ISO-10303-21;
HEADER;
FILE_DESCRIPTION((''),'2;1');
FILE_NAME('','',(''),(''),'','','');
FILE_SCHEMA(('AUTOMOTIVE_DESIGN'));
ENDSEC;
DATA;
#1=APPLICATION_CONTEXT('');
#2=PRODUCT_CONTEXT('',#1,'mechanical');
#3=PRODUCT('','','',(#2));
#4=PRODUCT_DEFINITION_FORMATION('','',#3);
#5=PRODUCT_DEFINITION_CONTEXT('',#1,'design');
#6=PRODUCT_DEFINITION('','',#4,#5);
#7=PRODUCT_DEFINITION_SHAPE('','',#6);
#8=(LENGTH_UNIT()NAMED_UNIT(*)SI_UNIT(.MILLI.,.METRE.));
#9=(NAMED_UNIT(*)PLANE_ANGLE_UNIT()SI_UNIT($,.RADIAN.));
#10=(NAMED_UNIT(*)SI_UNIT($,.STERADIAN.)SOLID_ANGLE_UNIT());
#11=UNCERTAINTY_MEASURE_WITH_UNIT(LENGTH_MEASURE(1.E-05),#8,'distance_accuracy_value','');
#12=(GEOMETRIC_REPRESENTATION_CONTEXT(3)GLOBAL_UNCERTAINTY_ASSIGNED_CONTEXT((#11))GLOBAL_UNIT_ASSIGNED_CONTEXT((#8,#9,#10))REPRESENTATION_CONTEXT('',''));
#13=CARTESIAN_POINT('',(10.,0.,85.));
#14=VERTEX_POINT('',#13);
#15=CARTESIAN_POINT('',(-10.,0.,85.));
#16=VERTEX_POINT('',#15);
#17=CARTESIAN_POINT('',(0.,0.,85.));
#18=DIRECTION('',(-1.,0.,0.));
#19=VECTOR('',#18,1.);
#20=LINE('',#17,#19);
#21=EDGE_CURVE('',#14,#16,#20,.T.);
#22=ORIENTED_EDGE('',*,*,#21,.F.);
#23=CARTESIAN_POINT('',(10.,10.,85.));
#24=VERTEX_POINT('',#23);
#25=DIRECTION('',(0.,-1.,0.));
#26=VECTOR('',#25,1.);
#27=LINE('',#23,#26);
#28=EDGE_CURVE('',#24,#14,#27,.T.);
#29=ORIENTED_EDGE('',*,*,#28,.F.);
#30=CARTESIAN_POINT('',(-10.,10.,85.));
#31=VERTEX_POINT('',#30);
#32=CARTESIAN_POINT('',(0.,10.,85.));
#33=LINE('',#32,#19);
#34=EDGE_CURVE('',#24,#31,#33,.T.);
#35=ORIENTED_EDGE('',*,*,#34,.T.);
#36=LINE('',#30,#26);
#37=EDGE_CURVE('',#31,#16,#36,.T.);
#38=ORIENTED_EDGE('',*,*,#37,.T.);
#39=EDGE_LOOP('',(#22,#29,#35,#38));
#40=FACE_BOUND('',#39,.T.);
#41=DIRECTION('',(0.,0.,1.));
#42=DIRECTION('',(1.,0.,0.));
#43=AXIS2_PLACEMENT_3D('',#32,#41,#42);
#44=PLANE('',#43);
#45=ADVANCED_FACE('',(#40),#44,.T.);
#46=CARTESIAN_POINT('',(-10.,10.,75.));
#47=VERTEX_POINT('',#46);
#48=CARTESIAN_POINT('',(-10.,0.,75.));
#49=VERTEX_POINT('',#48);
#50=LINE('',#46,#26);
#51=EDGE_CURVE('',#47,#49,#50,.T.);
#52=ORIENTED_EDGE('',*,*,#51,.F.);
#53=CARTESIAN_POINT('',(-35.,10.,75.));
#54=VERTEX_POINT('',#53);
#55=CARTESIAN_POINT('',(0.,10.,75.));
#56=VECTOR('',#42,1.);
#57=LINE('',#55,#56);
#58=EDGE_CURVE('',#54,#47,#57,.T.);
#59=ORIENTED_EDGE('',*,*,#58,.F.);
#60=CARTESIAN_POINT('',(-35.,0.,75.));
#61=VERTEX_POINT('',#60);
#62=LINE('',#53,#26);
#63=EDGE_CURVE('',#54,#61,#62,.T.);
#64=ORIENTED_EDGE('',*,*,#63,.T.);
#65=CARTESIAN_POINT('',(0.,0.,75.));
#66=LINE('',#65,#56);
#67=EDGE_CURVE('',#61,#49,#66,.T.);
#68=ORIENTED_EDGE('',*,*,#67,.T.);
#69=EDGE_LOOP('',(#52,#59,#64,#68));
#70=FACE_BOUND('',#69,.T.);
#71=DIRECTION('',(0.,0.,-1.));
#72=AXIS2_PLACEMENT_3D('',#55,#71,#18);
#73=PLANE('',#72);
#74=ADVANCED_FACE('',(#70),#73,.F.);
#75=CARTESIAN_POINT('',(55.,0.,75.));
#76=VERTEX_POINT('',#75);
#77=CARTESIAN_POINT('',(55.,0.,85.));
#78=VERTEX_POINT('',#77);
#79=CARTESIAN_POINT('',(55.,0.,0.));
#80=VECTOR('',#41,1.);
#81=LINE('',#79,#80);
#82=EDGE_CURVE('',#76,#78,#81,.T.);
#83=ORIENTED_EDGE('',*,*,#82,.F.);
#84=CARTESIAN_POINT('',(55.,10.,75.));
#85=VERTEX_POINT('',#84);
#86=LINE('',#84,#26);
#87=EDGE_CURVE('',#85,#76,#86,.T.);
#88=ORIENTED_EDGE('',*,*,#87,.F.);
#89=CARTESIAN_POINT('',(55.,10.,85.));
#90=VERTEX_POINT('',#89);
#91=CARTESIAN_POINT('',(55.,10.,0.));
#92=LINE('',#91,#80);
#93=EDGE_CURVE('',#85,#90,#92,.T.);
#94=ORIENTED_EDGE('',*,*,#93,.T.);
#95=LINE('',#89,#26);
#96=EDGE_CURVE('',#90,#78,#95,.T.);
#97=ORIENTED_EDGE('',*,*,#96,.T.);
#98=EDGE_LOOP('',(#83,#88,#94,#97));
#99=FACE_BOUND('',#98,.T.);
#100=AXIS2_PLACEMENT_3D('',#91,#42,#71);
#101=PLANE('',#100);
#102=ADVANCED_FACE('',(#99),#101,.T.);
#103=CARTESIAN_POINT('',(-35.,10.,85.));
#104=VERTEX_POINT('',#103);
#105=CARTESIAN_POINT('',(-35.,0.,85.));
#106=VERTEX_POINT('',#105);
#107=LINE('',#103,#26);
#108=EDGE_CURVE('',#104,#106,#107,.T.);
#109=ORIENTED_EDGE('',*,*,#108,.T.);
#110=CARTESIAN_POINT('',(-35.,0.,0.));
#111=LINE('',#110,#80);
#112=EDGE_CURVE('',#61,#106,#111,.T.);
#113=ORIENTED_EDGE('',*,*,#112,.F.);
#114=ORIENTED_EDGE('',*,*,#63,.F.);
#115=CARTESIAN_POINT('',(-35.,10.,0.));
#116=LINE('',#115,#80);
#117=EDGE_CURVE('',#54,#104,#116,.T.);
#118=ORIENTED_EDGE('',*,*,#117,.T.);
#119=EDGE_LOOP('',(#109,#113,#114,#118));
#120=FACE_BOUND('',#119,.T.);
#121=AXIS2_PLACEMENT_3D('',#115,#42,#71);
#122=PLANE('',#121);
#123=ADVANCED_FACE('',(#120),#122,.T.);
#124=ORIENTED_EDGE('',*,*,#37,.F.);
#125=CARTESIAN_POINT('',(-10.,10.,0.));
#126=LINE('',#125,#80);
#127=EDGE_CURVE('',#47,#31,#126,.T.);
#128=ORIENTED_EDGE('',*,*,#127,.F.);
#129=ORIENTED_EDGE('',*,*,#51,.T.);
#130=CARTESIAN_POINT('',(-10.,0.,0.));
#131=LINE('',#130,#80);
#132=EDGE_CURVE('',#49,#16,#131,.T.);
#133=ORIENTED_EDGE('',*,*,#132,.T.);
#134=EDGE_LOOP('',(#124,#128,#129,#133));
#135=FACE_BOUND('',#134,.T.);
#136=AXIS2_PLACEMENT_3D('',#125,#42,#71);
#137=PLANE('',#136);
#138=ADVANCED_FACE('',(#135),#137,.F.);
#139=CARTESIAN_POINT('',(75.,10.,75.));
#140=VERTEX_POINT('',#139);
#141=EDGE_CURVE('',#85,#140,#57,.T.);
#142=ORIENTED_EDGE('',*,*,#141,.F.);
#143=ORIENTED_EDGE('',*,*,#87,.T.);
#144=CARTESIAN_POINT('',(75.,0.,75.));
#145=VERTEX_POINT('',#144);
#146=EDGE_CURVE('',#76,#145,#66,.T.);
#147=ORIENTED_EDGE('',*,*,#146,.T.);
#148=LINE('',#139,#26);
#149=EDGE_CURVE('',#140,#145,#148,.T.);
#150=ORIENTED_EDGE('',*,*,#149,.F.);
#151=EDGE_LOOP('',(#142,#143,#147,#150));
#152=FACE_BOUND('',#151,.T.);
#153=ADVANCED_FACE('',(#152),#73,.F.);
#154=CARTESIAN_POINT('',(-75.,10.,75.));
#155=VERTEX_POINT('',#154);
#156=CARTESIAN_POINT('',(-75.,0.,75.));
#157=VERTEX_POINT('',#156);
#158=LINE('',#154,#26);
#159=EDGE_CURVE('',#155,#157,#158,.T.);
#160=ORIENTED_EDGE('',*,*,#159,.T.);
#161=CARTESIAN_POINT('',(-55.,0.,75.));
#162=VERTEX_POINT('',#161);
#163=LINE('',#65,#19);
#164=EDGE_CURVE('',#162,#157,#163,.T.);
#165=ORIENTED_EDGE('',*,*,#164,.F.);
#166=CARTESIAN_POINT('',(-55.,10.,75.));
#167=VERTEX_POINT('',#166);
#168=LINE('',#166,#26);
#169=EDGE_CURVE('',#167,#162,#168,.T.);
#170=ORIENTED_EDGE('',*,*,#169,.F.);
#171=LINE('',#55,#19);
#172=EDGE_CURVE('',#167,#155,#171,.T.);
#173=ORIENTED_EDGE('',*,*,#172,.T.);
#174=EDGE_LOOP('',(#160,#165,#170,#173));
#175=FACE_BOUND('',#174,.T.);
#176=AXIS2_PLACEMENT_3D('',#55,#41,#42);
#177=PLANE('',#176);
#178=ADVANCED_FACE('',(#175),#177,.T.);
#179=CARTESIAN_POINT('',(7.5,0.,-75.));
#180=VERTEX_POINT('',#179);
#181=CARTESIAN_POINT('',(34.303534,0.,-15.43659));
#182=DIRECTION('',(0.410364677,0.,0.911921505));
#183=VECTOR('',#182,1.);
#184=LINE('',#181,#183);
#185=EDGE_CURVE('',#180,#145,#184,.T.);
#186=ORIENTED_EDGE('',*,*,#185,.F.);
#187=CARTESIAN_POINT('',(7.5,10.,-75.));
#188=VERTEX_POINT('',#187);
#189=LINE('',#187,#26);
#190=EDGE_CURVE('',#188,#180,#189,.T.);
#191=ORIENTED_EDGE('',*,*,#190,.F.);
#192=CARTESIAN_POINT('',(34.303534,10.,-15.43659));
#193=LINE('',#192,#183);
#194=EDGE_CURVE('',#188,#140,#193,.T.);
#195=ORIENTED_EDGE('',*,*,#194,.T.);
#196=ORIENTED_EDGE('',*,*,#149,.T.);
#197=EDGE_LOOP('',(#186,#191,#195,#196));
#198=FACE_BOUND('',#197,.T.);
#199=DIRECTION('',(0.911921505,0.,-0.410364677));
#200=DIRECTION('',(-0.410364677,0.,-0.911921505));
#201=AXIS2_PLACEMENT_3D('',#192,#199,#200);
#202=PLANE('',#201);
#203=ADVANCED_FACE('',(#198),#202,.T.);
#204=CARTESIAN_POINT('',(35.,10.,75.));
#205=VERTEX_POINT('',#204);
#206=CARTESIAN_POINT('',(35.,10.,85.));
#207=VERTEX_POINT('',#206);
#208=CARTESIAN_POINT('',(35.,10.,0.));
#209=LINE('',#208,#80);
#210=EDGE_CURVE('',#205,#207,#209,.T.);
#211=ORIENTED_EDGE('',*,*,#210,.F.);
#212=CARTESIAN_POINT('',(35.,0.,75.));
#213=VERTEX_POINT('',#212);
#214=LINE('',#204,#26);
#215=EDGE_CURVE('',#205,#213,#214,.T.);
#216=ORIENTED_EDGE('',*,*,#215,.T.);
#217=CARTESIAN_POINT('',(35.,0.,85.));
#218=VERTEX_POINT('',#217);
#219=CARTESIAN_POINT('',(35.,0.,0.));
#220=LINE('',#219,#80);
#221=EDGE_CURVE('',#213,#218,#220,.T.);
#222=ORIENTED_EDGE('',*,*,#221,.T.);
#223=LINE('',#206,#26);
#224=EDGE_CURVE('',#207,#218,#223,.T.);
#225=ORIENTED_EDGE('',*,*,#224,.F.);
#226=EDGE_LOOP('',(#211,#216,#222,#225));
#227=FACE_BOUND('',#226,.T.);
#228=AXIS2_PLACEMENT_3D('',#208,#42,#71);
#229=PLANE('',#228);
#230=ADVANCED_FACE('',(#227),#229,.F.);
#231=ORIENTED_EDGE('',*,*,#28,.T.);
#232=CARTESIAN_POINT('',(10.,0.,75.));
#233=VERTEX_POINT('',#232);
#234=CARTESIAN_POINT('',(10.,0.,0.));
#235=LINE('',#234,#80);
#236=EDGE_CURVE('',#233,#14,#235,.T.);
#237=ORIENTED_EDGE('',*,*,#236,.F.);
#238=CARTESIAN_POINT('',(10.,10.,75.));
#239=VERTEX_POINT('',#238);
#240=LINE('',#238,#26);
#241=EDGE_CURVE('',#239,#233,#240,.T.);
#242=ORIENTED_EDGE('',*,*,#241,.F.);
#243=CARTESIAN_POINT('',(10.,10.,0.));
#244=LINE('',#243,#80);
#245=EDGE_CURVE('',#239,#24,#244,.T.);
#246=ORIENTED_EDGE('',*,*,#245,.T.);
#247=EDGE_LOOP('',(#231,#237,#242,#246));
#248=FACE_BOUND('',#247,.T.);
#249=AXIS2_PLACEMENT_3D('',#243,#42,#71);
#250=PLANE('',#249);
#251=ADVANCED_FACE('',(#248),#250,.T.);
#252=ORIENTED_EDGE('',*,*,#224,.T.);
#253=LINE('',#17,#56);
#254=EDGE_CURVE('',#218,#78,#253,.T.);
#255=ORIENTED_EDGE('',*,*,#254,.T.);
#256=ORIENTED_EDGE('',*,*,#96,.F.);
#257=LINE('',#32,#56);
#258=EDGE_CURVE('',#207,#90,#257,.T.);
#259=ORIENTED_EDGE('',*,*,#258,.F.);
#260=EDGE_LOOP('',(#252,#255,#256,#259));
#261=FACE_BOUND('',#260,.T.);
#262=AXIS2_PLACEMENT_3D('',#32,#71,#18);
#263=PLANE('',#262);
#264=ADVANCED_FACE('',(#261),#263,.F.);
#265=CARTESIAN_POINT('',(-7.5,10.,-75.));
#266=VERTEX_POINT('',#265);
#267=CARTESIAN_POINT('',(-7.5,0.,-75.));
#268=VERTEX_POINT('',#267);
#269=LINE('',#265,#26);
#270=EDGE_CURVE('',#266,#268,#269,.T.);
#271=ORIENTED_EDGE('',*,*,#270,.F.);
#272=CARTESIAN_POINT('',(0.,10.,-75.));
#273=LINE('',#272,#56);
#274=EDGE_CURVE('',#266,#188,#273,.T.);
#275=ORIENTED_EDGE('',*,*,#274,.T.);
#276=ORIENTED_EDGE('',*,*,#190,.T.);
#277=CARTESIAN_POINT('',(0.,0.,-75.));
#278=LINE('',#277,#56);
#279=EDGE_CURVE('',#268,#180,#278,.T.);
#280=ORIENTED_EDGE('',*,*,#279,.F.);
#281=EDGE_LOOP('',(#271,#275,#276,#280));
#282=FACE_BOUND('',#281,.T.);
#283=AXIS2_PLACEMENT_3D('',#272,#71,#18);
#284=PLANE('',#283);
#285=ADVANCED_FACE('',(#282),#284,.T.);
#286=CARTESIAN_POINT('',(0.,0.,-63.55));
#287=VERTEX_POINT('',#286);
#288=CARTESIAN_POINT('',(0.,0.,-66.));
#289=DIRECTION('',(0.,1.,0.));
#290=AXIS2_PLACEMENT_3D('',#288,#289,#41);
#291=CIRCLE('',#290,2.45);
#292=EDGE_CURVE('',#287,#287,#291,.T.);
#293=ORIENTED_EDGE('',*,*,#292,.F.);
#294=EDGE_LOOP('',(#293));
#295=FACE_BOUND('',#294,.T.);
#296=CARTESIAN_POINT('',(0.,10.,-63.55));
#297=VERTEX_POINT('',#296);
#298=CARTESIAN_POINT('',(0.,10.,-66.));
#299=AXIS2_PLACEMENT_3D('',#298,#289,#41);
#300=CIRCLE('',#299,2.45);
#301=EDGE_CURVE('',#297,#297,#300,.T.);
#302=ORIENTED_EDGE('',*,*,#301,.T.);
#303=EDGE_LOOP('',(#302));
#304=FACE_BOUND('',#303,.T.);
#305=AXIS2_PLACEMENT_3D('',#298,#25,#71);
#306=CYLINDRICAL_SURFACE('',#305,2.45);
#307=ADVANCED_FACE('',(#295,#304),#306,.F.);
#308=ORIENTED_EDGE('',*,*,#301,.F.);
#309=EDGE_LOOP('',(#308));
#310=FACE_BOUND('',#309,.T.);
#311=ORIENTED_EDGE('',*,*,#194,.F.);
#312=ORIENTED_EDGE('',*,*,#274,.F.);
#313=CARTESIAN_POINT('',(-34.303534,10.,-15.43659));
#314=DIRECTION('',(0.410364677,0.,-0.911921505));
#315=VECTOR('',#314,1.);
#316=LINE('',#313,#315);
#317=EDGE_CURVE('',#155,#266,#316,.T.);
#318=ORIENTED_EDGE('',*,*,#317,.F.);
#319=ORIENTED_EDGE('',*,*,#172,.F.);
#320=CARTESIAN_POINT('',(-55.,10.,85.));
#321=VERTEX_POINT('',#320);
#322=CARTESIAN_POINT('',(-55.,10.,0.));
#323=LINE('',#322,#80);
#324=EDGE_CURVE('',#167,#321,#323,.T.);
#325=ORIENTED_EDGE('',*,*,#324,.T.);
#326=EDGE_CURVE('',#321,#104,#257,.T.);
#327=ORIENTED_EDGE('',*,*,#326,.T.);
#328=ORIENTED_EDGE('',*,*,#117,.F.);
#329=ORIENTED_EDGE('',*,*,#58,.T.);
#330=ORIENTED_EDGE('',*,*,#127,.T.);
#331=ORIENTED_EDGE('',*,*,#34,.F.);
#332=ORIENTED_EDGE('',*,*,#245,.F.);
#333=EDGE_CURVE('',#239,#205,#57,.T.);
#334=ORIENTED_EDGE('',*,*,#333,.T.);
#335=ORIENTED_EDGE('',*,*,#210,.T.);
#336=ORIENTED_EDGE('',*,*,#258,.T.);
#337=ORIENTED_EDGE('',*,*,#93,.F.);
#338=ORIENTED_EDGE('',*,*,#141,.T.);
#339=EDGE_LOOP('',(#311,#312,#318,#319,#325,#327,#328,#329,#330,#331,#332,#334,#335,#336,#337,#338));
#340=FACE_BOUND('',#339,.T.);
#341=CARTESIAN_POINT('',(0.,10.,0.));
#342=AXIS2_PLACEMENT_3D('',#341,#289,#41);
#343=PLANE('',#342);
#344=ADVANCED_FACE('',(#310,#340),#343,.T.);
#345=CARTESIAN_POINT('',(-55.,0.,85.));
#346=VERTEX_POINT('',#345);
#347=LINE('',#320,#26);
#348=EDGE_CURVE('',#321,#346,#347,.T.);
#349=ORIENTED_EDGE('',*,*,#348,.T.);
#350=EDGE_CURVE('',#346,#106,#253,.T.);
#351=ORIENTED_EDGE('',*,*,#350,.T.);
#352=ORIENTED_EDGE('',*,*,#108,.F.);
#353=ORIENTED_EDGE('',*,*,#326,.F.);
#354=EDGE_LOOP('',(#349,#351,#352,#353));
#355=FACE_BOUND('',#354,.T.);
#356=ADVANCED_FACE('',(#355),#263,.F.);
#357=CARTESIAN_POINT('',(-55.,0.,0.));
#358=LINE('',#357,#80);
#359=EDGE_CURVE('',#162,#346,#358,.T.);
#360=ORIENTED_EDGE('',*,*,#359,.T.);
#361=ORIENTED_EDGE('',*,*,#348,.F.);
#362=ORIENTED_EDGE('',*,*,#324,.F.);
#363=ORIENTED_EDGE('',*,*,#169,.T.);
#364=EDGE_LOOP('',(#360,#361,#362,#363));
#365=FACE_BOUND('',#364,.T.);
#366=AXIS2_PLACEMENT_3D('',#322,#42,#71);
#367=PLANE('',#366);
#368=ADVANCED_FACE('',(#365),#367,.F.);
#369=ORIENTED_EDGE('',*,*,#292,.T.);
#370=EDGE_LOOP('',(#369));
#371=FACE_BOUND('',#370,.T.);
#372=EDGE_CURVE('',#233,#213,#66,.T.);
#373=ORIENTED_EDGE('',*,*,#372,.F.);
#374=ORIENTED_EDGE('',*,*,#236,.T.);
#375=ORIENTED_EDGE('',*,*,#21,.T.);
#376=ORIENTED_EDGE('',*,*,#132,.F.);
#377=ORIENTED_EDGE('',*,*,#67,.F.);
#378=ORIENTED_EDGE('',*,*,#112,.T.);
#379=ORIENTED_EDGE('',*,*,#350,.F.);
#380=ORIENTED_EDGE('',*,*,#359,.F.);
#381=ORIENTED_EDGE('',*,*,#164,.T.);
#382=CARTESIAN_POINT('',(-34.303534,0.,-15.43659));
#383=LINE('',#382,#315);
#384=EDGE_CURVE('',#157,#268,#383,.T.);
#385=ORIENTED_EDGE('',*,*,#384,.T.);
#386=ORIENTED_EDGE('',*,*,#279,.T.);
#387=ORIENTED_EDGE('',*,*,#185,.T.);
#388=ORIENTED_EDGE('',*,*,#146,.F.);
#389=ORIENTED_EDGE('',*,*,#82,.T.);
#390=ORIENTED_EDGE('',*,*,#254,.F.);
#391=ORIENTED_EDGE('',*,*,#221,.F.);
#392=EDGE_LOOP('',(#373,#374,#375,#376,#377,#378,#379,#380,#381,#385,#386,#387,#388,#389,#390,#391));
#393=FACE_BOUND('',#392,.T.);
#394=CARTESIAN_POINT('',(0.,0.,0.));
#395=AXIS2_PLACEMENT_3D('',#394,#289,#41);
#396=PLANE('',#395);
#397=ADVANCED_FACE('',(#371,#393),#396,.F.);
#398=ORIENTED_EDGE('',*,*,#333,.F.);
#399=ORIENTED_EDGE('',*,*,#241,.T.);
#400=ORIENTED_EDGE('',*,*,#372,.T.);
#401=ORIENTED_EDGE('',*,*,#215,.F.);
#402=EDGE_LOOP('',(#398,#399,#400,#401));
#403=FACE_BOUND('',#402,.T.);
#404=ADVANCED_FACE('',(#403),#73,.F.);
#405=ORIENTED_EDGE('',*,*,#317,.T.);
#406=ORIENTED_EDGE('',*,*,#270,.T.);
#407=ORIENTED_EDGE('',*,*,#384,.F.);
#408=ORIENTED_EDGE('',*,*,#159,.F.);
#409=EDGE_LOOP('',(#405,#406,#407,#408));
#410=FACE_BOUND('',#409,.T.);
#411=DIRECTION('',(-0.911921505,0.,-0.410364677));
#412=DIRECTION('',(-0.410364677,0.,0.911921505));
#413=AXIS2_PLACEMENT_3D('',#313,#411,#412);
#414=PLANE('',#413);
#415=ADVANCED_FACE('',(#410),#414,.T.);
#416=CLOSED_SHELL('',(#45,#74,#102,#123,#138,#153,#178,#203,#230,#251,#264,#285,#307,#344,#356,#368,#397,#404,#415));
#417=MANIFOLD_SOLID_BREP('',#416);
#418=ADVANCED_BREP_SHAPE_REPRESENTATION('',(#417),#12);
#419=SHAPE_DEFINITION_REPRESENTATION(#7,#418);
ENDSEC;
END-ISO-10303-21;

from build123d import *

# Parameters (mm, degrees)
SKETCH1_R           = 2.45
BOSS_EXTRUDE1_DEPTH = 10


with BuildPart() as part:
    # Sketch1 → Boss-Extrude1 (new body)
    with BuildSketch(Plane(origin=(0, 0, 0), x_dir=(1, 0, 0), z_dir=(0, 1, 0))):
        Polygon((-7.5, 75), (7.5, 75), (75, -75), (55, -75), (55, -85), (35, -85), (35, -75), (10, -75), (10, -85), (-10, -85), (-10, -75), (-35, -75), (-35, -85), (-55, -85), (-55, -75), (-75, -75), align=None)
        with Locations(Location((0, 66, 0), (0, 0, 270))):
            Circle(SKETCH1_R, mode=Mode.SUBTRACT)
    extrude(amount=BOSS_EXTRUDE1_DEPTH)


solid = part.part
